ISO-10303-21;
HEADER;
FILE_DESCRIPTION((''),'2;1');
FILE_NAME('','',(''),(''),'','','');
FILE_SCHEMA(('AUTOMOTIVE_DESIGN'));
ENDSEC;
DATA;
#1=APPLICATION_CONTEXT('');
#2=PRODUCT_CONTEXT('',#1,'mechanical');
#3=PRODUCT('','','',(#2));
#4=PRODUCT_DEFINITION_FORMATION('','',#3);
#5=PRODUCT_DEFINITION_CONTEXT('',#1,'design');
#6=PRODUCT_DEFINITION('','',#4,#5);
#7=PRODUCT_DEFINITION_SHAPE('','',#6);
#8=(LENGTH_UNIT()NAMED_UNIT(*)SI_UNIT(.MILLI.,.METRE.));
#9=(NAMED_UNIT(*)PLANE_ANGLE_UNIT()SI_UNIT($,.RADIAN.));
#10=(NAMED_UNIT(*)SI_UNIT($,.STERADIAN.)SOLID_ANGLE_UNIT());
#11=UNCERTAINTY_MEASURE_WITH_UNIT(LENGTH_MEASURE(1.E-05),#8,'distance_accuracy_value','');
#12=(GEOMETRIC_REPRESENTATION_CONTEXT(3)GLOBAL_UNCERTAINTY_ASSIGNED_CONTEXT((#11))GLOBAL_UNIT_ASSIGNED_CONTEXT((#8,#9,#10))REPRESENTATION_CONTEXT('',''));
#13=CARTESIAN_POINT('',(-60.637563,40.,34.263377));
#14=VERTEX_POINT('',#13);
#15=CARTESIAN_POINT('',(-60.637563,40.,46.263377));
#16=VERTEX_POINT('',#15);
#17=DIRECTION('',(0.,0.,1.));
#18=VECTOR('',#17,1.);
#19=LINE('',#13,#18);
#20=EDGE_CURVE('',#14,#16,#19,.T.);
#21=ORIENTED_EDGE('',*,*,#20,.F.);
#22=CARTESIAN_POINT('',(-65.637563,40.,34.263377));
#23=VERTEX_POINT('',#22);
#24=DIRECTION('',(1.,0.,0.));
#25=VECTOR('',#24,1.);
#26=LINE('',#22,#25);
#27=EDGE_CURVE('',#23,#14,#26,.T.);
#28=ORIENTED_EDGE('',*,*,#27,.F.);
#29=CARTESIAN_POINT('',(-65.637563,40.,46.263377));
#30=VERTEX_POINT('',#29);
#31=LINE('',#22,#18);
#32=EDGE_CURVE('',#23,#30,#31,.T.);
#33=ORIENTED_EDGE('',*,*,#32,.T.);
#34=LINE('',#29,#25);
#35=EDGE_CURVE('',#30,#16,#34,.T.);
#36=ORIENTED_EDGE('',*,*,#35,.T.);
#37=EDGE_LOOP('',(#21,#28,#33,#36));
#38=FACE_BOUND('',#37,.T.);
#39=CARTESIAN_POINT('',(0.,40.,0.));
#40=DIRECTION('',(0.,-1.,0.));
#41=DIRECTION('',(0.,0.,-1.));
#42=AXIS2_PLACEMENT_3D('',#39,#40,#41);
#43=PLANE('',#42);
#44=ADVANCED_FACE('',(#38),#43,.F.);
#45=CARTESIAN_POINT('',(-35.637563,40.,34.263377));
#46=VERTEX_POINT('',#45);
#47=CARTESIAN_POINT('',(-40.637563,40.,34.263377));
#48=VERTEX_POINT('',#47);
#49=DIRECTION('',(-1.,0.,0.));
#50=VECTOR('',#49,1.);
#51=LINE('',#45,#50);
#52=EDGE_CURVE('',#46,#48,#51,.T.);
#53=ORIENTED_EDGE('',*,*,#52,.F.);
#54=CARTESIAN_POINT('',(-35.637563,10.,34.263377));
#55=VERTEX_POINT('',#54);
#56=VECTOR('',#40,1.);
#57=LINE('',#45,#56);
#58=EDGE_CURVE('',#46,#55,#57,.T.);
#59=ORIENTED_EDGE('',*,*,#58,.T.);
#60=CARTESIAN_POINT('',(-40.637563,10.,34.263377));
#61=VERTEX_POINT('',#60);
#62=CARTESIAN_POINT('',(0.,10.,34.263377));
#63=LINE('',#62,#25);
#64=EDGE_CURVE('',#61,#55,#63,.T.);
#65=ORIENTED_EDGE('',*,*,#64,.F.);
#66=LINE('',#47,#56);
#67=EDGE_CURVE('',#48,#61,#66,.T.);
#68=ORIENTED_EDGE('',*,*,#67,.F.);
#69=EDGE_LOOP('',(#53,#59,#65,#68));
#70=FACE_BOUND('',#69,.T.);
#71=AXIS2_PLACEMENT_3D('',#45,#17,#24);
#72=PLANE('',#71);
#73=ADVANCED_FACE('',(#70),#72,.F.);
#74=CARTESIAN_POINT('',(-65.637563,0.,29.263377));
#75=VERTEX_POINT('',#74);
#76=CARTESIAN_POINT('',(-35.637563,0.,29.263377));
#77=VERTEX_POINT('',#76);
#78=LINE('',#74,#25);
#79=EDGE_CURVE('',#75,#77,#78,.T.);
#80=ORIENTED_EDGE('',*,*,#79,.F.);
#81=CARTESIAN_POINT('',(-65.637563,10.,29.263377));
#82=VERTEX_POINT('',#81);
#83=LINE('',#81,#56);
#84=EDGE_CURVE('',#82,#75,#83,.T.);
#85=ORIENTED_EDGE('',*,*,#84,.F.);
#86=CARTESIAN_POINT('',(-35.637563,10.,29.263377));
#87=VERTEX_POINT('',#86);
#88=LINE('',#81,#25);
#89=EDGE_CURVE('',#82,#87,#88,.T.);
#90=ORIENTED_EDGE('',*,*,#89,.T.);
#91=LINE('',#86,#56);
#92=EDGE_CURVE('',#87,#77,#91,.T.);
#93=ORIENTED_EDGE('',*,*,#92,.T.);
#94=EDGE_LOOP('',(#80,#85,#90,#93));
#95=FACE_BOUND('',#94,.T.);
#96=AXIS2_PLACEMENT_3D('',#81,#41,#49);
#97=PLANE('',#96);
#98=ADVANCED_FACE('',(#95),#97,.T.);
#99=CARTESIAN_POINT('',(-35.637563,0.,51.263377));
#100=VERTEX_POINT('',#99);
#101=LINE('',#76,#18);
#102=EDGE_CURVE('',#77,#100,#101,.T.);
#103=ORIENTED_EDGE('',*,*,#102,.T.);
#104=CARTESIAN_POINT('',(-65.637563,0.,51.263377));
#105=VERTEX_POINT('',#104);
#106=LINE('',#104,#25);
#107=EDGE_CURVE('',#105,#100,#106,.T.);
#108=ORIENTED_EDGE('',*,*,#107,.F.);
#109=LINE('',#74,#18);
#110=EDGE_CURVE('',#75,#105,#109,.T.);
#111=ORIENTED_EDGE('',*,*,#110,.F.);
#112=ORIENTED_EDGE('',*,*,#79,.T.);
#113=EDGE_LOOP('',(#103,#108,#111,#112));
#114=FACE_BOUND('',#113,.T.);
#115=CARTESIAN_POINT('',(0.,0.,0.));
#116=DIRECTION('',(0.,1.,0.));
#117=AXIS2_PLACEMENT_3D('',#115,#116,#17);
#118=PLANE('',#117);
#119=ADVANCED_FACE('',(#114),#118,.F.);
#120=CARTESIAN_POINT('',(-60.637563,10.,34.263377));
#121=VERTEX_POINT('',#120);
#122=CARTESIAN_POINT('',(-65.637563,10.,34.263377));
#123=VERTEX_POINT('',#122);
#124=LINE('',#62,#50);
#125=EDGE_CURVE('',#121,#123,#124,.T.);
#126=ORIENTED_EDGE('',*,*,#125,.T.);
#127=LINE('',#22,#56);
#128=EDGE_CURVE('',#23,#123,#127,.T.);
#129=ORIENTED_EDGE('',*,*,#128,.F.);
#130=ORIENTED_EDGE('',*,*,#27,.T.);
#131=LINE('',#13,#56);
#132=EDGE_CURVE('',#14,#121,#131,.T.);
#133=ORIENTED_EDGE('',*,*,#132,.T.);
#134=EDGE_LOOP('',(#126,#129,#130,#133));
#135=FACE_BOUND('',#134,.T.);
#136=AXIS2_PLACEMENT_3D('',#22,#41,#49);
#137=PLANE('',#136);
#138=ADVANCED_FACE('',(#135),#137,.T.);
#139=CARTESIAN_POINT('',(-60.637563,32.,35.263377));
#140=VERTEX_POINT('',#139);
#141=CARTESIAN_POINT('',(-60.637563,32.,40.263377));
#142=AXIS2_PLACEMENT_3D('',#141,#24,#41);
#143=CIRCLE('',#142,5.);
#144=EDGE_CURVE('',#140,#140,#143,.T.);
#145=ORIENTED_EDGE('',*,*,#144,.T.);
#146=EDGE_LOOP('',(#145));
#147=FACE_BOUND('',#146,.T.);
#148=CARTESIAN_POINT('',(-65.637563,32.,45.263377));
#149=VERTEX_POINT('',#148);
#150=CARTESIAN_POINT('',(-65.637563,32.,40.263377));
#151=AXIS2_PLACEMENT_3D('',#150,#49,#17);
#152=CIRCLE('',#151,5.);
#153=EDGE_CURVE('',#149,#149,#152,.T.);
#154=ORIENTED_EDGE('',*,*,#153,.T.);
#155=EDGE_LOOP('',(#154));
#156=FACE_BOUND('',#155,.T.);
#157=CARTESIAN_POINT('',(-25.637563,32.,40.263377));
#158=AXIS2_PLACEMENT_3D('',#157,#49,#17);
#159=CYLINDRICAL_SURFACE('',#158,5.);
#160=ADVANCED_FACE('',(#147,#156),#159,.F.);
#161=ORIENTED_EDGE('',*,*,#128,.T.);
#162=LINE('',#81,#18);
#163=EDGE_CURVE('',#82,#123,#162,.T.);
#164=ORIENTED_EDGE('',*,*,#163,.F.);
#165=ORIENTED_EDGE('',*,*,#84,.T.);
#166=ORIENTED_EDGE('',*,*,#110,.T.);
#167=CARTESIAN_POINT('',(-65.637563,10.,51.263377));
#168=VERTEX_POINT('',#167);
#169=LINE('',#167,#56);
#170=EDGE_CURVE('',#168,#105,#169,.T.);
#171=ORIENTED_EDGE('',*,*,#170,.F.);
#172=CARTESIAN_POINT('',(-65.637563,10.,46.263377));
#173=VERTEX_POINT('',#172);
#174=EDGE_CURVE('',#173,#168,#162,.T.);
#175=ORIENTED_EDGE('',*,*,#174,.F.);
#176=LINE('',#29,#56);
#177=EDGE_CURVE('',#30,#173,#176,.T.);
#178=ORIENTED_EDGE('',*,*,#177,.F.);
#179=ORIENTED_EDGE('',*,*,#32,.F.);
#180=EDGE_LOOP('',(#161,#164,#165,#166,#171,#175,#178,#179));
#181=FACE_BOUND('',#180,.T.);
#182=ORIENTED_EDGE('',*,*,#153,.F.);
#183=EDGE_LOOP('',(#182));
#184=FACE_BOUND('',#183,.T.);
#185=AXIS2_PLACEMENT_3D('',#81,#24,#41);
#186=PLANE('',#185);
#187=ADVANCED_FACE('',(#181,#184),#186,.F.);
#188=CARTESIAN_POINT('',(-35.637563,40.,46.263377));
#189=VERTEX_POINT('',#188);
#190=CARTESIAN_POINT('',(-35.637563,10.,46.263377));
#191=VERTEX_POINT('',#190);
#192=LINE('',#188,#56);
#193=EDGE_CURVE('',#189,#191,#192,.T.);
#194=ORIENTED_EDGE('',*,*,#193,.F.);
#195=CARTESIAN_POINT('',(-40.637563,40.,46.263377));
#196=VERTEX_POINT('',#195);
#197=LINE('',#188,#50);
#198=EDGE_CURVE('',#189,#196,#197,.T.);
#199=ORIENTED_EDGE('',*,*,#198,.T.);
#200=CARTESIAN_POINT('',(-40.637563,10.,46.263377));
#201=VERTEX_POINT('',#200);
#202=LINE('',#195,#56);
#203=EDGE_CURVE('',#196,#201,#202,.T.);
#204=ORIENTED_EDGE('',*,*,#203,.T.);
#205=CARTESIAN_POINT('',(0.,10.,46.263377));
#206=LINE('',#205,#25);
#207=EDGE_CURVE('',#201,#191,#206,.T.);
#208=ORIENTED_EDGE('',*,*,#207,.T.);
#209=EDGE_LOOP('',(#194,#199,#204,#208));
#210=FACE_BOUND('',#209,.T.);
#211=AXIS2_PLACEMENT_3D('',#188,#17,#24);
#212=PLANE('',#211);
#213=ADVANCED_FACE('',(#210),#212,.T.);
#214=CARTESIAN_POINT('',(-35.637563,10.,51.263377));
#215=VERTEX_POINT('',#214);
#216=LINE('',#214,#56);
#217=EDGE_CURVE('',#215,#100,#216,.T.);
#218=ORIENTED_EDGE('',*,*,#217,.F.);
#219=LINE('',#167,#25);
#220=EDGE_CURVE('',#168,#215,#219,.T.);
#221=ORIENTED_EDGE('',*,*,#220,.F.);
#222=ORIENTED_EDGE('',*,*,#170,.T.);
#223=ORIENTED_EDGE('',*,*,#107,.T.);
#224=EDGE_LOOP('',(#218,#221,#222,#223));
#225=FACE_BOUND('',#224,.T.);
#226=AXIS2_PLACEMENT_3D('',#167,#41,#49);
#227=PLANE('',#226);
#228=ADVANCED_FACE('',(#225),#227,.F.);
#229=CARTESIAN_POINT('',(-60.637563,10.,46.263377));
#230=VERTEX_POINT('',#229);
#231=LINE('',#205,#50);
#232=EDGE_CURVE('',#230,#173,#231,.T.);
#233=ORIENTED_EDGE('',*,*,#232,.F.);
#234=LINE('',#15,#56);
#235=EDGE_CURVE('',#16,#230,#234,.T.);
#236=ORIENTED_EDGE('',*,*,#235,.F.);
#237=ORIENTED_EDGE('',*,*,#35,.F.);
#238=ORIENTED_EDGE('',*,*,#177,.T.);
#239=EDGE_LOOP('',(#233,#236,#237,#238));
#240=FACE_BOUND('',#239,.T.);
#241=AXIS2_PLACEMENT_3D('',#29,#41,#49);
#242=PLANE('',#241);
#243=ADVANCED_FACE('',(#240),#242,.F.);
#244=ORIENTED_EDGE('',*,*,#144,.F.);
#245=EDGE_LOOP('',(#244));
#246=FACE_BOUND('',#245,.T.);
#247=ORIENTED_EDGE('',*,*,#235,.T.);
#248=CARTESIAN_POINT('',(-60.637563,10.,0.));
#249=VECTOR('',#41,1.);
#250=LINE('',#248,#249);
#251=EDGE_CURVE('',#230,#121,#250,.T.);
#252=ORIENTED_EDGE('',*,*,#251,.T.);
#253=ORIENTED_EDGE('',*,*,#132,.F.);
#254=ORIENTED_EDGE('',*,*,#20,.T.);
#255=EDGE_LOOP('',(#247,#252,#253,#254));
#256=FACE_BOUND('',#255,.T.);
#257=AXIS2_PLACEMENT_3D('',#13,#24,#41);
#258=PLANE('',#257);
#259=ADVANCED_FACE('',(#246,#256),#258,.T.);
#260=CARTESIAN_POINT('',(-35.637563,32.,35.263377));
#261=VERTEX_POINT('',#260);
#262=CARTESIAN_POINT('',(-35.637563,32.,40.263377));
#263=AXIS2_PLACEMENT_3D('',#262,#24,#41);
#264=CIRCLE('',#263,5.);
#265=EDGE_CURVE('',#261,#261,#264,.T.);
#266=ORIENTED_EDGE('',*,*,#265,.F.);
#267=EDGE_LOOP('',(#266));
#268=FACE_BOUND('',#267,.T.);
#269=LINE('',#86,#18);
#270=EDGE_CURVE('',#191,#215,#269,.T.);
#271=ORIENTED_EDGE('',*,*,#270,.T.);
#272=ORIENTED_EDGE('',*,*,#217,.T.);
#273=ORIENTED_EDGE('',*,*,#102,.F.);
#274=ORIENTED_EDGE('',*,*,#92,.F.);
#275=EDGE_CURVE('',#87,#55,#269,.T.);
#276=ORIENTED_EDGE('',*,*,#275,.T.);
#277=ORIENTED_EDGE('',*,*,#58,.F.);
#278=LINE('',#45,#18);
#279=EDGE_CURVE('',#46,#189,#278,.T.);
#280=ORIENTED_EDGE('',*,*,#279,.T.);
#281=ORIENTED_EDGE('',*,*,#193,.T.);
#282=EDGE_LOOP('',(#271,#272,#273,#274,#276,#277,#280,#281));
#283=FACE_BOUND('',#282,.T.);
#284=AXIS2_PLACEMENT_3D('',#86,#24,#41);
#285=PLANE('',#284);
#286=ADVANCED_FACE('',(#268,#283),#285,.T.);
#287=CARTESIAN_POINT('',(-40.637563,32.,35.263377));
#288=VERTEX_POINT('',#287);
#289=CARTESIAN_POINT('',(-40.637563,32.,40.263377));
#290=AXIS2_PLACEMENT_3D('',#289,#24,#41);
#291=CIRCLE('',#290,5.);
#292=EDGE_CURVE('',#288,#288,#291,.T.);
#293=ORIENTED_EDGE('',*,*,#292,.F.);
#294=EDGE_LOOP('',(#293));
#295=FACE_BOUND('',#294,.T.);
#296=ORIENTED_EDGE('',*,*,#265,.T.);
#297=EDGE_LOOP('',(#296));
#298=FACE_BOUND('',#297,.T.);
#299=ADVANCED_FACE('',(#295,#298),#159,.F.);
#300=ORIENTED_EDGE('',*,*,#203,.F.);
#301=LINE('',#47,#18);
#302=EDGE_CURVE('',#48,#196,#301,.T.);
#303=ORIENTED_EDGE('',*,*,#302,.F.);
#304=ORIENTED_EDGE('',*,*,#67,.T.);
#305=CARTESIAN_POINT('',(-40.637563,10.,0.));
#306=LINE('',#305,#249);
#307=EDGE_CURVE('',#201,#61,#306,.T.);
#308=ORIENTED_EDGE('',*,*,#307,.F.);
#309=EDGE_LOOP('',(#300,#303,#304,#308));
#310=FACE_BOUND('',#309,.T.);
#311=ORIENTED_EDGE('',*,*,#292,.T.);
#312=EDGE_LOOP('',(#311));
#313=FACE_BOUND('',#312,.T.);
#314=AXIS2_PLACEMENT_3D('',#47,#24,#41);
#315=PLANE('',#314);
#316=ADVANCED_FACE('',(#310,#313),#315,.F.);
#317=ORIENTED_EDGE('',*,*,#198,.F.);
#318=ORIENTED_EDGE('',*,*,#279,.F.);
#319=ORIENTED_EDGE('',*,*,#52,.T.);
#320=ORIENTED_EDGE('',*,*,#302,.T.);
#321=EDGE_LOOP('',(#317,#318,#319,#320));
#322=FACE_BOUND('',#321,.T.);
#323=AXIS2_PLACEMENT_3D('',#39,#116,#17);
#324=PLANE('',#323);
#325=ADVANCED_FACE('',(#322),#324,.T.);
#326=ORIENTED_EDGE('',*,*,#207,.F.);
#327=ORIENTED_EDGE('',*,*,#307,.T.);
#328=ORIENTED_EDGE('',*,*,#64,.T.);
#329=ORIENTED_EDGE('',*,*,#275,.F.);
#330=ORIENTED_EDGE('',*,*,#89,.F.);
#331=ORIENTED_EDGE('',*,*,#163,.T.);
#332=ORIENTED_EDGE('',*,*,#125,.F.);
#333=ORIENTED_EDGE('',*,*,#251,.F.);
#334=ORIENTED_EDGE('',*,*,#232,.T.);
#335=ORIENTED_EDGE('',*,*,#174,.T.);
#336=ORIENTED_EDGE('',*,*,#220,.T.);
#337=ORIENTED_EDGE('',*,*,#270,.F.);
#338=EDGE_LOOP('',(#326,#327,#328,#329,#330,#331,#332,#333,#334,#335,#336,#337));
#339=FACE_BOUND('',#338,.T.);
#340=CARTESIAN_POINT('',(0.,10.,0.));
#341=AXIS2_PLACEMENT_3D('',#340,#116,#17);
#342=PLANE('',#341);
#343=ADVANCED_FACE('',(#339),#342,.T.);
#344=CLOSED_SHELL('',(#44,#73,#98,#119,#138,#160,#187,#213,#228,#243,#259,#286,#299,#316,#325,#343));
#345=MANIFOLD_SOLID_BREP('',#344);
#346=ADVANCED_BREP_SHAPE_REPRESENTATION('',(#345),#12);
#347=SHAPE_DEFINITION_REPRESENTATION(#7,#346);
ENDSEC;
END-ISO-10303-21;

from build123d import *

# Parameters (mm, degrees)
SKETCH1_W           = 30
SKETCH1_H           = 22
BOSS_EXTRUDE1_DEPTH = 10
SKETCH1_4_W         = 5
SKETCH1_4_H         = 12
BOSS_EXTRUDE2_DEPTH = 40
SKETCH2_R           = 5
CUT_EXTRUDE1_DEPTH  = 40


with BuildPart() as part:
    # Sketch1 → Boss-Extrude1 (new body)
    with BuildSketch(Plane(origin=(0, 0, 0), x_dir=(1, 0, 0), z_dir=(0, 1, 0))):
        with Locations((-50.637562945, -40.26337684)):
            Rectangle(SKETCH1_W, SKETCH1_H)
    extrude(amount=BOSS_EXTRUDE1_DEPTH)

    # Sketch1<4> → Boss-Extrude2 (add)
    with BuildSketch(Plane(origin=(0, 0, 0), x_dir=(1, 0, 0), z_dir=(0, 1, 0))):
        with Locations((-63.137562945, -40.26337684)):
            Rectangle(SKETCH1_4_W, SKETCH1_4_H)
        with Locations((-38.137562945, -40.26337684)):
            Rectangle(SKETCH1_4_W, SKETCH1_4_H)
    extrude(amount=BOSS_EXTRUDE2_DEPTH)

    # Sketch2 → Cut-Extrude1 (cut)
    with BuildSketch(Plane.ZY.offset(65.637562945)):
        with Locations((40.26337684, 32)):
            Circle(SKETCH2_R)
    extrude(amount=-CUT_EXTRUDE1_DEPTH, mode=Mode.SUBTRACT)


solid = part.part
